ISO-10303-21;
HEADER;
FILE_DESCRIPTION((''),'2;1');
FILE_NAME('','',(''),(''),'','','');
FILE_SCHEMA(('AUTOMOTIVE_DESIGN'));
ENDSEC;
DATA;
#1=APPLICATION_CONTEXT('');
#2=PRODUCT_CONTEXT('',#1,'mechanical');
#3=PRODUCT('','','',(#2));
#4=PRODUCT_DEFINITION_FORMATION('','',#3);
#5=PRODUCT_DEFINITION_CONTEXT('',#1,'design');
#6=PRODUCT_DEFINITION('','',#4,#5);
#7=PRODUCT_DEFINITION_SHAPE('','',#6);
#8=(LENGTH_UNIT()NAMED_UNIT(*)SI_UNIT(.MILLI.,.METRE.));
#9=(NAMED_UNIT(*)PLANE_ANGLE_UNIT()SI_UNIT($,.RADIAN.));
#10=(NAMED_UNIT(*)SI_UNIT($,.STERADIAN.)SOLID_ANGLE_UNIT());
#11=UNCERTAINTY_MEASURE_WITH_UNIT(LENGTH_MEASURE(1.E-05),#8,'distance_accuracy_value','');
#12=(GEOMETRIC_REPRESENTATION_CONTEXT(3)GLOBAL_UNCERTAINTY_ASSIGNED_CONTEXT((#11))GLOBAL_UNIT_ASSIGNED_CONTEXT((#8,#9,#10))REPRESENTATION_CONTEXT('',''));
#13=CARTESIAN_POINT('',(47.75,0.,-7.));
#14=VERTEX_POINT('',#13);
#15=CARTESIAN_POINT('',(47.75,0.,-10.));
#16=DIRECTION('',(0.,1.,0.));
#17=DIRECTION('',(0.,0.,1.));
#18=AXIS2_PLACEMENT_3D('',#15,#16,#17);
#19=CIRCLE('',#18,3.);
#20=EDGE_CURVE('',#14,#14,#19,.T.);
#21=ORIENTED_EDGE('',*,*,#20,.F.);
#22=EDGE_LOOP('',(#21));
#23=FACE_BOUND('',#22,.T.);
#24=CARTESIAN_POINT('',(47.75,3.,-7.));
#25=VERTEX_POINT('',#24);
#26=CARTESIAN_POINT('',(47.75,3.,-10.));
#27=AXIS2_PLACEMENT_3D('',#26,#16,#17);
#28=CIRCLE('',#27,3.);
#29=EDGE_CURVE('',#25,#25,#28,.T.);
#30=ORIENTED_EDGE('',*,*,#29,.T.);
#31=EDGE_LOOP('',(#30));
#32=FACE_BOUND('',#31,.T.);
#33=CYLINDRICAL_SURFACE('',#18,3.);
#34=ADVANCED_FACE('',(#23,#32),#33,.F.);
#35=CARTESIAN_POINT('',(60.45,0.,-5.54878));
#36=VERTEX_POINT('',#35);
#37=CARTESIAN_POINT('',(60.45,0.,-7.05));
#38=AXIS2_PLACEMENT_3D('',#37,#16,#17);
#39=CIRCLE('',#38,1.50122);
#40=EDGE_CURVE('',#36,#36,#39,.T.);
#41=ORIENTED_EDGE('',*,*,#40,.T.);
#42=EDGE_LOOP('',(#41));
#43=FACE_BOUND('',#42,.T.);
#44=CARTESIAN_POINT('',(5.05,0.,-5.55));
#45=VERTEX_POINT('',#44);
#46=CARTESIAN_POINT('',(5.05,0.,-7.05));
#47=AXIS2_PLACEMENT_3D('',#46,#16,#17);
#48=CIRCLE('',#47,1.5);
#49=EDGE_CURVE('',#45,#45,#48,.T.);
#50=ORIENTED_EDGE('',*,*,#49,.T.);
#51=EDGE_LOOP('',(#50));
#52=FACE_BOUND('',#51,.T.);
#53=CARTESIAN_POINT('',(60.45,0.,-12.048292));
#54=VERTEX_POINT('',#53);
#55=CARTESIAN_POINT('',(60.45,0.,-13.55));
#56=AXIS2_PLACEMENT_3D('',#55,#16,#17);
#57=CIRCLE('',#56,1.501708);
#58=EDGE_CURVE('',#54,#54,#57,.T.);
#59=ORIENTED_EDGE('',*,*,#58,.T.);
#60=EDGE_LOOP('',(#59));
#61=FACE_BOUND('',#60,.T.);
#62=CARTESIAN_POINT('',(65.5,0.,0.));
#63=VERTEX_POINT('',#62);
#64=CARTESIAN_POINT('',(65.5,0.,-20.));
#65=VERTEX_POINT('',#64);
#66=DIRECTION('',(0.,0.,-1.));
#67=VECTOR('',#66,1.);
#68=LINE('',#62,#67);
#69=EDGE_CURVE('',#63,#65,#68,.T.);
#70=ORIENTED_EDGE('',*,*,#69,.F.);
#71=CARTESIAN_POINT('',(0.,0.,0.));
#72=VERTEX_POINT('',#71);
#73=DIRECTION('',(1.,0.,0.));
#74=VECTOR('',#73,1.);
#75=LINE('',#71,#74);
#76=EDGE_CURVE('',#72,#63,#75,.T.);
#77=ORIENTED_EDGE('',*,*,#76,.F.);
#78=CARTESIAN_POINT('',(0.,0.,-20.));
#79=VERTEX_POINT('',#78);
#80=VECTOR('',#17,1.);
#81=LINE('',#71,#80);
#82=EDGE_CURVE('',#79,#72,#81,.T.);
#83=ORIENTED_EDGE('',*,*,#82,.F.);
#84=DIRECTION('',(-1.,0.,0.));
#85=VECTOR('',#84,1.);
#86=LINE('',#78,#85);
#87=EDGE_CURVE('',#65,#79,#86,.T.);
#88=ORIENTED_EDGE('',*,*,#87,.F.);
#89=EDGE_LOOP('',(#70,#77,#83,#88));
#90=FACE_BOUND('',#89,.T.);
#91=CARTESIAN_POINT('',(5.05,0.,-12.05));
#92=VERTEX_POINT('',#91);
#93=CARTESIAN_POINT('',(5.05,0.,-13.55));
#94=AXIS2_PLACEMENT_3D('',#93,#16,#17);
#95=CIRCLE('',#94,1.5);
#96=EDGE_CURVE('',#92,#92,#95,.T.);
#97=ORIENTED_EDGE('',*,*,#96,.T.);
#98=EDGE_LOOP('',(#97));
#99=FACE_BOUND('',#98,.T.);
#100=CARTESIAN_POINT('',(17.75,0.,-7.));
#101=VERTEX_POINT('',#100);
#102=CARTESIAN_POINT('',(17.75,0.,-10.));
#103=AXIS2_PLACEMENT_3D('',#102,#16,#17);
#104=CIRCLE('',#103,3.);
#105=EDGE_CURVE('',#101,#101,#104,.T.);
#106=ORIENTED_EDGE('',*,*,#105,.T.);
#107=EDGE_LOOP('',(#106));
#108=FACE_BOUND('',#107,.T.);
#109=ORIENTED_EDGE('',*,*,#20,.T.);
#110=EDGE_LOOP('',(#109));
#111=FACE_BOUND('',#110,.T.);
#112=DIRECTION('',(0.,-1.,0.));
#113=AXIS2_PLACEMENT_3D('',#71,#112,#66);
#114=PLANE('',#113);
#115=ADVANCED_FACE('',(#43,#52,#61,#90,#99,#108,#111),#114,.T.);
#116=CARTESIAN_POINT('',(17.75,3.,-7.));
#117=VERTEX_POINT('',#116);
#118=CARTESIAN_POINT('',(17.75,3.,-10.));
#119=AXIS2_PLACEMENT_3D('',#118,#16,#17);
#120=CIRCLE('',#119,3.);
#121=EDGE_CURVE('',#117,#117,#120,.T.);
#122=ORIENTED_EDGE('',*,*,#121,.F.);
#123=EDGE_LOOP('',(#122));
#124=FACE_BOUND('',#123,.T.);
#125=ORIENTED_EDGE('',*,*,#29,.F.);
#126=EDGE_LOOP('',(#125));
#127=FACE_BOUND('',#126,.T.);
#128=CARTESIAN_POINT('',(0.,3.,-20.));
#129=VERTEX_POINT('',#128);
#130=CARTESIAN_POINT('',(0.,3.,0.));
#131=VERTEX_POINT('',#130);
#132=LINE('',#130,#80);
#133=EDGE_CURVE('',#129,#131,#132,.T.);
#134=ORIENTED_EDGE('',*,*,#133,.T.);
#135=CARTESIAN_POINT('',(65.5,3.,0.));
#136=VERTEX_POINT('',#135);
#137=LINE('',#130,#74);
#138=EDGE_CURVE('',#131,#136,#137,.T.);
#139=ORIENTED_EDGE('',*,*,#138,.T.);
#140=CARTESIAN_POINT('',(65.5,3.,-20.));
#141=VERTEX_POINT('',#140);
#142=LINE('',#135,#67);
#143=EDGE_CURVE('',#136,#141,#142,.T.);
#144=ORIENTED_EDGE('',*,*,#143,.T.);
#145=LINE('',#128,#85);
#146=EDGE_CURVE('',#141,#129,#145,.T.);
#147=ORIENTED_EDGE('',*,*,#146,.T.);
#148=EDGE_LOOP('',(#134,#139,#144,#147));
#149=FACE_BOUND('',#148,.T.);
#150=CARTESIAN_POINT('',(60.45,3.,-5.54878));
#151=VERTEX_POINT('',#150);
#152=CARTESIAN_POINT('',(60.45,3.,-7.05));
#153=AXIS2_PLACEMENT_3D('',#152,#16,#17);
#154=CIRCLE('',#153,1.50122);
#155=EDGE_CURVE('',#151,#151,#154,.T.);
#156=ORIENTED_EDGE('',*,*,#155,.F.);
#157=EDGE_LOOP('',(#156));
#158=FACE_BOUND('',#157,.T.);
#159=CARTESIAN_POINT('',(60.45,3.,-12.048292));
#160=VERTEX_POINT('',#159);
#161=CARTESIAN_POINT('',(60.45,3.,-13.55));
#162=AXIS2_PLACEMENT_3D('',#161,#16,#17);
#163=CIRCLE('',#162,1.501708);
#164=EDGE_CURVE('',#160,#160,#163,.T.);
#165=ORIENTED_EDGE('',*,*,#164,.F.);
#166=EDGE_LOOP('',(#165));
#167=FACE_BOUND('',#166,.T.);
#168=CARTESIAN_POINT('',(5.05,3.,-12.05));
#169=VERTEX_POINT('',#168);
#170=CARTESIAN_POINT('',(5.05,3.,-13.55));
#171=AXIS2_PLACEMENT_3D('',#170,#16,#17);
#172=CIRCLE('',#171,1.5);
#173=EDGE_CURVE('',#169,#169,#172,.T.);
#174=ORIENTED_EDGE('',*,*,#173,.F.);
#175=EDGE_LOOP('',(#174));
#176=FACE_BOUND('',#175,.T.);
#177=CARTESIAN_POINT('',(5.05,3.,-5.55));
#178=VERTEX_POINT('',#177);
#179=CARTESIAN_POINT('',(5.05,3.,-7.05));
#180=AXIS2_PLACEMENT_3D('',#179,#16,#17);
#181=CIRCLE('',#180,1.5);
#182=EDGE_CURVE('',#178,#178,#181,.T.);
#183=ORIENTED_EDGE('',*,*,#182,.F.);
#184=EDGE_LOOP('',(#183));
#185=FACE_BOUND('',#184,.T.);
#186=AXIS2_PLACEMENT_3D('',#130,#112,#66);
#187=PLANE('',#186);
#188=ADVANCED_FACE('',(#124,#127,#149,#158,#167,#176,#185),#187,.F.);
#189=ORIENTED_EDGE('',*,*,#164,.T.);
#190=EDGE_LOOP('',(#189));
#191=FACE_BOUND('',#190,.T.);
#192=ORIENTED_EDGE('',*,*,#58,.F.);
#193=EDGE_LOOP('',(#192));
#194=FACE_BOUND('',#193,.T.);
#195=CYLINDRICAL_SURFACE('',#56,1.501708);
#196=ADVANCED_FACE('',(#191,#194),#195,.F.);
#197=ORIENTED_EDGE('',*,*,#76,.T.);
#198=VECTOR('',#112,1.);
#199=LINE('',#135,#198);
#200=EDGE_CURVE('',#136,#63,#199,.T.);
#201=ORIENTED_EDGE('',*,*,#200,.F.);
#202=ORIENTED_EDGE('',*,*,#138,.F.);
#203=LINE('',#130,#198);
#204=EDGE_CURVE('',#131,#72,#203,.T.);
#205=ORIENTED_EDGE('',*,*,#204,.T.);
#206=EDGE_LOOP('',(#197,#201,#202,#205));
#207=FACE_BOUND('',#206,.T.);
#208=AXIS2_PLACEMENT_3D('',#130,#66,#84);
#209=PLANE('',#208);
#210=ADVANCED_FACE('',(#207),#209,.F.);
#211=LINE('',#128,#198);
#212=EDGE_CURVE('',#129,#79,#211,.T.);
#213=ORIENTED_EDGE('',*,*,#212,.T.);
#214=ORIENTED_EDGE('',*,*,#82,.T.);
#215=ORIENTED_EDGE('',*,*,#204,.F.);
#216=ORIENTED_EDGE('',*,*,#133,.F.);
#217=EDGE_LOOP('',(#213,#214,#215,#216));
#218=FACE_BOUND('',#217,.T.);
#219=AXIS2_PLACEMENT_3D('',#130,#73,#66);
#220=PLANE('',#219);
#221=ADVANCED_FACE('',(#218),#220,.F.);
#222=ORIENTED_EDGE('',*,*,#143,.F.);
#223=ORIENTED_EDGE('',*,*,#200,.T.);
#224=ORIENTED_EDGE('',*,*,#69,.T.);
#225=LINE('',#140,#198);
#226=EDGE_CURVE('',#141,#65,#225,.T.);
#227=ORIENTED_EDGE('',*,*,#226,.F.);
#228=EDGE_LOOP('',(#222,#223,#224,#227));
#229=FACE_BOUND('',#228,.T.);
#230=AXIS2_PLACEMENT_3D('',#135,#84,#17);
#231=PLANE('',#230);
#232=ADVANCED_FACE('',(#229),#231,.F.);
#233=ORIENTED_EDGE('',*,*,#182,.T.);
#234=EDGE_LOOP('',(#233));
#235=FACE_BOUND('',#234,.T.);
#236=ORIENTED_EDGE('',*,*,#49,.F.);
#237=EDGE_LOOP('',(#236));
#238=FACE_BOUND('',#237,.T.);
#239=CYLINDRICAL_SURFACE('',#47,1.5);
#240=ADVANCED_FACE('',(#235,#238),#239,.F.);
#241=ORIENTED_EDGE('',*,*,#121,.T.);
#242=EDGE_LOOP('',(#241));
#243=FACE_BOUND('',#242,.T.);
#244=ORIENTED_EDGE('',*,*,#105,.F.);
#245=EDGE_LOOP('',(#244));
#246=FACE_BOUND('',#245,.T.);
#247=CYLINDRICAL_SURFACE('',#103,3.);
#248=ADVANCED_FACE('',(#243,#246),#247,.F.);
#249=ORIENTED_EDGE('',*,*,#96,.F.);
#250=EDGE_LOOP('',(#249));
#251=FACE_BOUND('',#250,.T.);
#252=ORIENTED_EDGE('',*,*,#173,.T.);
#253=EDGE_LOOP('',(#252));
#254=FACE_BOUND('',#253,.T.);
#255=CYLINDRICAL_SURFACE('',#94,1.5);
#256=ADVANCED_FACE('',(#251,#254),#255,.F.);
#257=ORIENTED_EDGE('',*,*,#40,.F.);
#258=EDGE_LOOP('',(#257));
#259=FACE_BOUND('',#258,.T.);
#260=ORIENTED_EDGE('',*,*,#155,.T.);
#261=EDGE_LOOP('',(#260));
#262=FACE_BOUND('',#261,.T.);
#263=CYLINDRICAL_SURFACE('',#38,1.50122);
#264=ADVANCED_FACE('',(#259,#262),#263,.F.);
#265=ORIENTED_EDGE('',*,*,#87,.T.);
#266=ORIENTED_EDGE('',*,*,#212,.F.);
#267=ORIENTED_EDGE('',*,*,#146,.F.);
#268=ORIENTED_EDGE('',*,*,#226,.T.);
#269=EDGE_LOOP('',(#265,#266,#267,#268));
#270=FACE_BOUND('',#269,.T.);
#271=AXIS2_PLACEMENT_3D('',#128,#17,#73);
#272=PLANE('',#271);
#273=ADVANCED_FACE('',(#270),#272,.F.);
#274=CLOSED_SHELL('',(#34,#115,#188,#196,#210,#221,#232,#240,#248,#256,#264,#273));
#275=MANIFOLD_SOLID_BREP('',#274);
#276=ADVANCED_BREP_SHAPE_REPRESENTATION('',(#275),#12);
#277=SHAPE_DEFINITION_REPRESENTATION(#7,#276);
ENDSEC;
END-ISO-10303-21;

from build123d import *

# Parameters (mm, degrees)
SKETCH1_W           = 65.5
SKETCH1_H           = 20
BOSS_EXTRUDE1_DEPTH = 3
SKETCH2_R           = 1.501708332
SKETCH2_R_2         = 1.501220282
SKETCH2_R_3         = 1.5
SKETCH2_R_4         = 3
CUT_EXTRUDE1_DEPTH  = 3


with BuildPart() as part:
    # Sketch1 → Boss-Extrude1 (new body)
    with BuildSketch(Plane(origin=(0, 0, 0), x_dir=(1, 0, 0), z_dir=(0, 1, 0))):
        with Locations((32.75, 10)):
            Rectangle(SKETCH1_W, SKETCH1_H)
    extrude(amount=BOSS_EXTRUDE1_DEPTH)

    # Sketch2 → Cut-Extrude1 (cut)
    with BuildSketch(Plane(origin=(0, 3, 0), x_dir=(1, 0, 0), z_dir=(0, 1, 0))):
        with Locations(Location((60.45, 13.55, 0), (0, 0, 270))):
            Circle(SKETCH2_R)
        with Locations(Location((60.45, 7.05, 0), (0, 0, 270))):
            Circle(SKETCH2_R_2)
        with Locations(Location((5.05, 13.55, 0), (0, 0, 270))):
            Circle(SKETCH2_R_3)
        with Locations(Location((5.05, 7.05, 0), (0, 0, 270))):
            Circle(SKETCH2_R_3)
        with Locations(Location((47.75, 10, 0), (0, 0, 270))):
            Circle(SKETCH2_R_4)
        with Locations(Location((17.75, 10, 0), (0, 0, 270))):
            Circle(SKETCH2_R_4)
    extrude(amount=-CUT_EXTRUDE1_DEPTH, mode=Mode.SUBTRACT)


solid = part.part
